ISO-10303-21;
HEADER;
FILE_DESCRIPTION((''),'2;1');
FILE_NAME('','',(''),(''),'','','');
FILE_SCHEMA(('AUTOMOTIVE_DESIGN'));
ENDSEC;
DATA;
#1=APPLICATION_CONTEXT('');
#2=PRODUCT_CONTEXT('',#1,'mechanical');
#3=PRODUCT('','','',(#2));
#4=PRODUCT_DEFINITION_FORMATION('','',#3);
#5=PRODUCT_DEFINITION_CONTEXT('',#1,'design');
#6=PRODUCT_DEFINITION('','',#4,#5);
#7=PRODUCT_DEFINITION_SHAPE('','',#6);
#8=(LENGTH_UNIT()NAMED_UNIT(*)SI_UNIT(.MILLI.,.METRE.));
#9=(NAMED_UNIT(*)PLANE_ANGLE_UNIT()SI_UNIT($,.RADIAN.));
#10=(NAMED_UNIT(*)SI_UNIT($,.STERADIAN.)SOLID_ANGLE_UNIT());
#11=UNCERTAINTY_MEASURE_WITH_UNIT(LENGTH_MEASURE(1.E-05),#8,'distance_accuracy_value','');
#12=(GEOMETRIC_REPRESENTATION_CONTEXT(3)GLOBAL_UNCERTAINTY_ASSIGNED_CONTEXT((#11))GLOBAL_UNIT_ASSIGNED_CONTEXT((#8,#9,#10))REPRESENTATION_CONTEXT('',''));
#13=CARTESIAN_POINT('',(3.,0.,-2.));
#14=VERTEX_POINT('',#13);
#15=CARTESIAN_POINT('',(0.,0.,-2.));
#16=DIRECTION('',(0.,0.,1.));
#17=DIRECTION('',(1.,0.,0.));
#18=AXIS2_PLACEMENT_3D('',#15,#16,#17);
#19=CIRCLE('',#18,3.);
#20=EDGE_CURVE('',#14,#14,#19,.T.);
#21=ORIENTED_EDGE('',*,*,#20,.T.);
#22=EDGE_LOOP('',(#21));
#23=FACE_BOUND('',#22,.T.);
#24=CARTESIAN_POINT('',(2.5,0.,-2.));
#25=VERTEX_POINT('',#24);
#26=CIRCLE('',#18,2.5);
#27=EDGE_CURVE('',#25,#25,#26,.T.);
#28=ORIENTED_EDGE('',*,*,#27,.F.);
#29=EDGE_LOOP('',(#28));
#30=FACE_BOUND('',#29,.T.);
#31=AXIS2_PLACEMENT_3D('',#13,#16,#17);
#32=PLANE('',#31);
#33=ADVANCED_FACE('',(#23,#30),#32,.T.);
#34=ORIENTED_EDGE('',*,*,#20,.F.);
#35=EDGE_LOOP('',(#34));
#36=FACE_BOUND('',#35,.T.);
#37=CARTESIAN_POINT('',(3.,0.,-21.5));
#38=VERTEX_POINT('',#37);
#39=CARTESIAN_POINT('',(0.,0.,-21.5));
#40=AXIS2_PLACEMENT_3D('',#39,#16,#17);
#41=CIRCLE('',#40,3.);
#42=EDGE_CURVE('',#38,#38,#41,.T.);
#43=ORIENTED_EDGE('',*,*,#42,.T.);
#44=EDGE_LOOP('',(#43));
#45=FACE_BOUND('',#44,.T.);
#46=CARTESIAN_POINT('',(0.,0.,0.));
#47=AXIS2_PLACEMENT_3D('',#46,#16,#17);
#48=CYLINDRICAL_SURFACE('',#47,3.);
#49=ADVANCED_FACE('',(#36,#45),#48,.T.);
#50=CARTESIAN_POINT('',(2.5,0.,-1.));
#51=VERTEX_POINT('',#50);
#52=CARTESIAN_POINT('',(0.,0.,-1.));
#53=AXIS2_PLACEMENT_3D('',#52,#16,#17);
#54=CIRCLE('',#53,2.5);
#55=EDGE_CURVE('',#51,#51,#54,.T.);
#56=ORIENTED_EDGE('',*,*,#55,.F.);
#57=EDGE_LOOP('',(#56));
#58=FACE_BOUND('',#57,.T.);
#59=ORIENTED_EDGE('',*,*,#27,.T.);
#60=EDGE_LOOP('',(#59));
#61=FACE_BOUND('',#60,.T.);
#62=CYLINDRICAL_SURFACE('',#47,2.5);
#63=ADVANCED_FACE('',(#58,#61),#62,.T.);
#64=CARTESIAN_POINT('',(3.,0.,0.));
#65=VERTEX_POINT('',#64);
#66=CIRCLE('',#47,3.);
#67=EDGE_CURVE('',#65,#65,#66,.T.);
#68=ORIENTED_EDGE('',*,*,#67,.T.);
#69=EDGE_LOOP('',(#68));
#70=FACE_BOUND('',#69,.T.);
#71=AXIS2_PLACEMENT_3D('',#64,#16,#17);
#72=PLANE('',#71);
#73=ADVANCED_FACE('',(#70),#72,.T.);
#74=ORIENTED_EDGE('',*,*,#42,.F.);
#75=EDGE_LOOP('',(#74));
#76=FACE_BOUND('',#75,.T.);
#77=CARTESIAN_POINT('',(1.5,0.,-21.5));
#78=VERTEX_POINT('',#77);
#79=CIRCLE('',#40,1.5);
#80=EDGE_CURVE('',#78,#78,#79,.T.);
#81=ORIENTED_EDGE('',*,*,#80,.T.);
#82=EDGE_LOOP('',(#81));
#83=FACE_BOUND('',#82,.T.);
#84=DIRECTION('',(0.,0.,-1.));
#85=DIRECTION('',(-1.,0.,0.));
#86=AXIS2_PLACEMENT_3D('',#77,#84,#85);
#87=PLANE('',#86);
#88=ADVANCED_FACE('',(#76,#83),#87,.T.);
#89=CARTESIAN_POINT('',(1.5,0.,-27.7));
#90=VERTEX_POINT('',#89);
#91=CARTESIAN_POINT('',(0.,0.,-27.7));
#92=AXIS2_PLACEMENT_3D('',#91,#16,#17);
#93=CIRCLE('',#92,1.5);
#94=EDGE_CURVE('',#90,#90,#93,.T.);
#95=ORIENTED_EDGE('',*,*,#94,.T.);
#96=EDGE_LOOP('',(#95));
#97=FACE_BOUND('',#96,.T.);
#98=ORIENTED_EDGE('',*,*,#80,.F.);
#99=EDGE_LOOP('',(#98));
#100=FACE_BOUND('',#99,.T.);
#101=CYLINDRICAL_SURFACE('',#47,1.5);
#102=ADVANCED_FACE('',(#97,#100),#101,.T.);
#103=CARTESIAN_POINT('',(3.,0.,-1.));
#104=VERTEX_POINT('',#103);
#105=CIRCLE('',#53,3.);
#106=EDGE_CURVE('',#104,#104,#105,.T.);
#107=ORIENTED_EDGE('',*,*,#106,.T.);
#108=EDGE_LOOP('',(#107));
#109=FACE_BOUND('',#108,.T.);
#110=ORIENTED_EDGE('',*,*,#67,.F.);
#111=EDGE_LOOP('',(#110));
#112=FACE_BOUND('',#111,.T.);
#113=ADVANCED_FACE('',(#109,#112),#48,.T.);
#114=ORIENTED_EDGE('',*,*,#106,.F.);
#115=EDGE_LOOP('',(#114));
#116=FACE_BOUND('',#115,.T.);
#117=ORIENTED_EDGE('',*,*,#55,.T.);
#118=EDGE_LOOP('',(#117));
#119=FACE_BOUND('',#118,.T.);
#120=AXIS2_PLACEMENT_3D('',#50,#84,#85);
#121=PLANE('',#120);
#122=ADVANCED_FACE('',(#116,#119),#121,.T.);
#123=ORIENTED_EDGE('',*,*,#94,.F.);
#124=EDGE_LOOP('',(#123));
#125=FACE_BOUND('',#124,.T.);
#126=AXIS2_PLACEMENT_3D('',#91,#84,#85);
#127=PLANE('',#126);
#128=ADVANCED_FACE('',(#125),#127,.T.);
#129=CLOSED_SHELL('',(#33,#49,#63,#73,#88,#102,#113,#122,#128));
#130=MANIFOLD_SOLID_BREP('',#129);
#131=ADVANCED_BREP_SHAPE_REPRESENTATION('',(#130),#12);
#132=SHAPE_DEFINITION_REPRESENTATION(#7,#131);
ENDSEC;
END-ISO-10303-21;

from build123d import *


with BuildPart() as part:
    # Sketch1 → Revolve1 (revolve)
    with BuildSketch(Plane(origin=(0, 0, 0), x_dir=(1, 0, 0), z_dir=(0, 1, 0))):
        Polygon((0, 0), (0, 27.7), (1.5, 27.7), (1.5, 21.5), (3, 21.5), (3, 2), (2.5, 2), (2.5, 1), (3, 1), (3, 0), align=None)
    revolve(axis=Axis((0, 0, 0), (0, 0, -1)))


solid = part.part
